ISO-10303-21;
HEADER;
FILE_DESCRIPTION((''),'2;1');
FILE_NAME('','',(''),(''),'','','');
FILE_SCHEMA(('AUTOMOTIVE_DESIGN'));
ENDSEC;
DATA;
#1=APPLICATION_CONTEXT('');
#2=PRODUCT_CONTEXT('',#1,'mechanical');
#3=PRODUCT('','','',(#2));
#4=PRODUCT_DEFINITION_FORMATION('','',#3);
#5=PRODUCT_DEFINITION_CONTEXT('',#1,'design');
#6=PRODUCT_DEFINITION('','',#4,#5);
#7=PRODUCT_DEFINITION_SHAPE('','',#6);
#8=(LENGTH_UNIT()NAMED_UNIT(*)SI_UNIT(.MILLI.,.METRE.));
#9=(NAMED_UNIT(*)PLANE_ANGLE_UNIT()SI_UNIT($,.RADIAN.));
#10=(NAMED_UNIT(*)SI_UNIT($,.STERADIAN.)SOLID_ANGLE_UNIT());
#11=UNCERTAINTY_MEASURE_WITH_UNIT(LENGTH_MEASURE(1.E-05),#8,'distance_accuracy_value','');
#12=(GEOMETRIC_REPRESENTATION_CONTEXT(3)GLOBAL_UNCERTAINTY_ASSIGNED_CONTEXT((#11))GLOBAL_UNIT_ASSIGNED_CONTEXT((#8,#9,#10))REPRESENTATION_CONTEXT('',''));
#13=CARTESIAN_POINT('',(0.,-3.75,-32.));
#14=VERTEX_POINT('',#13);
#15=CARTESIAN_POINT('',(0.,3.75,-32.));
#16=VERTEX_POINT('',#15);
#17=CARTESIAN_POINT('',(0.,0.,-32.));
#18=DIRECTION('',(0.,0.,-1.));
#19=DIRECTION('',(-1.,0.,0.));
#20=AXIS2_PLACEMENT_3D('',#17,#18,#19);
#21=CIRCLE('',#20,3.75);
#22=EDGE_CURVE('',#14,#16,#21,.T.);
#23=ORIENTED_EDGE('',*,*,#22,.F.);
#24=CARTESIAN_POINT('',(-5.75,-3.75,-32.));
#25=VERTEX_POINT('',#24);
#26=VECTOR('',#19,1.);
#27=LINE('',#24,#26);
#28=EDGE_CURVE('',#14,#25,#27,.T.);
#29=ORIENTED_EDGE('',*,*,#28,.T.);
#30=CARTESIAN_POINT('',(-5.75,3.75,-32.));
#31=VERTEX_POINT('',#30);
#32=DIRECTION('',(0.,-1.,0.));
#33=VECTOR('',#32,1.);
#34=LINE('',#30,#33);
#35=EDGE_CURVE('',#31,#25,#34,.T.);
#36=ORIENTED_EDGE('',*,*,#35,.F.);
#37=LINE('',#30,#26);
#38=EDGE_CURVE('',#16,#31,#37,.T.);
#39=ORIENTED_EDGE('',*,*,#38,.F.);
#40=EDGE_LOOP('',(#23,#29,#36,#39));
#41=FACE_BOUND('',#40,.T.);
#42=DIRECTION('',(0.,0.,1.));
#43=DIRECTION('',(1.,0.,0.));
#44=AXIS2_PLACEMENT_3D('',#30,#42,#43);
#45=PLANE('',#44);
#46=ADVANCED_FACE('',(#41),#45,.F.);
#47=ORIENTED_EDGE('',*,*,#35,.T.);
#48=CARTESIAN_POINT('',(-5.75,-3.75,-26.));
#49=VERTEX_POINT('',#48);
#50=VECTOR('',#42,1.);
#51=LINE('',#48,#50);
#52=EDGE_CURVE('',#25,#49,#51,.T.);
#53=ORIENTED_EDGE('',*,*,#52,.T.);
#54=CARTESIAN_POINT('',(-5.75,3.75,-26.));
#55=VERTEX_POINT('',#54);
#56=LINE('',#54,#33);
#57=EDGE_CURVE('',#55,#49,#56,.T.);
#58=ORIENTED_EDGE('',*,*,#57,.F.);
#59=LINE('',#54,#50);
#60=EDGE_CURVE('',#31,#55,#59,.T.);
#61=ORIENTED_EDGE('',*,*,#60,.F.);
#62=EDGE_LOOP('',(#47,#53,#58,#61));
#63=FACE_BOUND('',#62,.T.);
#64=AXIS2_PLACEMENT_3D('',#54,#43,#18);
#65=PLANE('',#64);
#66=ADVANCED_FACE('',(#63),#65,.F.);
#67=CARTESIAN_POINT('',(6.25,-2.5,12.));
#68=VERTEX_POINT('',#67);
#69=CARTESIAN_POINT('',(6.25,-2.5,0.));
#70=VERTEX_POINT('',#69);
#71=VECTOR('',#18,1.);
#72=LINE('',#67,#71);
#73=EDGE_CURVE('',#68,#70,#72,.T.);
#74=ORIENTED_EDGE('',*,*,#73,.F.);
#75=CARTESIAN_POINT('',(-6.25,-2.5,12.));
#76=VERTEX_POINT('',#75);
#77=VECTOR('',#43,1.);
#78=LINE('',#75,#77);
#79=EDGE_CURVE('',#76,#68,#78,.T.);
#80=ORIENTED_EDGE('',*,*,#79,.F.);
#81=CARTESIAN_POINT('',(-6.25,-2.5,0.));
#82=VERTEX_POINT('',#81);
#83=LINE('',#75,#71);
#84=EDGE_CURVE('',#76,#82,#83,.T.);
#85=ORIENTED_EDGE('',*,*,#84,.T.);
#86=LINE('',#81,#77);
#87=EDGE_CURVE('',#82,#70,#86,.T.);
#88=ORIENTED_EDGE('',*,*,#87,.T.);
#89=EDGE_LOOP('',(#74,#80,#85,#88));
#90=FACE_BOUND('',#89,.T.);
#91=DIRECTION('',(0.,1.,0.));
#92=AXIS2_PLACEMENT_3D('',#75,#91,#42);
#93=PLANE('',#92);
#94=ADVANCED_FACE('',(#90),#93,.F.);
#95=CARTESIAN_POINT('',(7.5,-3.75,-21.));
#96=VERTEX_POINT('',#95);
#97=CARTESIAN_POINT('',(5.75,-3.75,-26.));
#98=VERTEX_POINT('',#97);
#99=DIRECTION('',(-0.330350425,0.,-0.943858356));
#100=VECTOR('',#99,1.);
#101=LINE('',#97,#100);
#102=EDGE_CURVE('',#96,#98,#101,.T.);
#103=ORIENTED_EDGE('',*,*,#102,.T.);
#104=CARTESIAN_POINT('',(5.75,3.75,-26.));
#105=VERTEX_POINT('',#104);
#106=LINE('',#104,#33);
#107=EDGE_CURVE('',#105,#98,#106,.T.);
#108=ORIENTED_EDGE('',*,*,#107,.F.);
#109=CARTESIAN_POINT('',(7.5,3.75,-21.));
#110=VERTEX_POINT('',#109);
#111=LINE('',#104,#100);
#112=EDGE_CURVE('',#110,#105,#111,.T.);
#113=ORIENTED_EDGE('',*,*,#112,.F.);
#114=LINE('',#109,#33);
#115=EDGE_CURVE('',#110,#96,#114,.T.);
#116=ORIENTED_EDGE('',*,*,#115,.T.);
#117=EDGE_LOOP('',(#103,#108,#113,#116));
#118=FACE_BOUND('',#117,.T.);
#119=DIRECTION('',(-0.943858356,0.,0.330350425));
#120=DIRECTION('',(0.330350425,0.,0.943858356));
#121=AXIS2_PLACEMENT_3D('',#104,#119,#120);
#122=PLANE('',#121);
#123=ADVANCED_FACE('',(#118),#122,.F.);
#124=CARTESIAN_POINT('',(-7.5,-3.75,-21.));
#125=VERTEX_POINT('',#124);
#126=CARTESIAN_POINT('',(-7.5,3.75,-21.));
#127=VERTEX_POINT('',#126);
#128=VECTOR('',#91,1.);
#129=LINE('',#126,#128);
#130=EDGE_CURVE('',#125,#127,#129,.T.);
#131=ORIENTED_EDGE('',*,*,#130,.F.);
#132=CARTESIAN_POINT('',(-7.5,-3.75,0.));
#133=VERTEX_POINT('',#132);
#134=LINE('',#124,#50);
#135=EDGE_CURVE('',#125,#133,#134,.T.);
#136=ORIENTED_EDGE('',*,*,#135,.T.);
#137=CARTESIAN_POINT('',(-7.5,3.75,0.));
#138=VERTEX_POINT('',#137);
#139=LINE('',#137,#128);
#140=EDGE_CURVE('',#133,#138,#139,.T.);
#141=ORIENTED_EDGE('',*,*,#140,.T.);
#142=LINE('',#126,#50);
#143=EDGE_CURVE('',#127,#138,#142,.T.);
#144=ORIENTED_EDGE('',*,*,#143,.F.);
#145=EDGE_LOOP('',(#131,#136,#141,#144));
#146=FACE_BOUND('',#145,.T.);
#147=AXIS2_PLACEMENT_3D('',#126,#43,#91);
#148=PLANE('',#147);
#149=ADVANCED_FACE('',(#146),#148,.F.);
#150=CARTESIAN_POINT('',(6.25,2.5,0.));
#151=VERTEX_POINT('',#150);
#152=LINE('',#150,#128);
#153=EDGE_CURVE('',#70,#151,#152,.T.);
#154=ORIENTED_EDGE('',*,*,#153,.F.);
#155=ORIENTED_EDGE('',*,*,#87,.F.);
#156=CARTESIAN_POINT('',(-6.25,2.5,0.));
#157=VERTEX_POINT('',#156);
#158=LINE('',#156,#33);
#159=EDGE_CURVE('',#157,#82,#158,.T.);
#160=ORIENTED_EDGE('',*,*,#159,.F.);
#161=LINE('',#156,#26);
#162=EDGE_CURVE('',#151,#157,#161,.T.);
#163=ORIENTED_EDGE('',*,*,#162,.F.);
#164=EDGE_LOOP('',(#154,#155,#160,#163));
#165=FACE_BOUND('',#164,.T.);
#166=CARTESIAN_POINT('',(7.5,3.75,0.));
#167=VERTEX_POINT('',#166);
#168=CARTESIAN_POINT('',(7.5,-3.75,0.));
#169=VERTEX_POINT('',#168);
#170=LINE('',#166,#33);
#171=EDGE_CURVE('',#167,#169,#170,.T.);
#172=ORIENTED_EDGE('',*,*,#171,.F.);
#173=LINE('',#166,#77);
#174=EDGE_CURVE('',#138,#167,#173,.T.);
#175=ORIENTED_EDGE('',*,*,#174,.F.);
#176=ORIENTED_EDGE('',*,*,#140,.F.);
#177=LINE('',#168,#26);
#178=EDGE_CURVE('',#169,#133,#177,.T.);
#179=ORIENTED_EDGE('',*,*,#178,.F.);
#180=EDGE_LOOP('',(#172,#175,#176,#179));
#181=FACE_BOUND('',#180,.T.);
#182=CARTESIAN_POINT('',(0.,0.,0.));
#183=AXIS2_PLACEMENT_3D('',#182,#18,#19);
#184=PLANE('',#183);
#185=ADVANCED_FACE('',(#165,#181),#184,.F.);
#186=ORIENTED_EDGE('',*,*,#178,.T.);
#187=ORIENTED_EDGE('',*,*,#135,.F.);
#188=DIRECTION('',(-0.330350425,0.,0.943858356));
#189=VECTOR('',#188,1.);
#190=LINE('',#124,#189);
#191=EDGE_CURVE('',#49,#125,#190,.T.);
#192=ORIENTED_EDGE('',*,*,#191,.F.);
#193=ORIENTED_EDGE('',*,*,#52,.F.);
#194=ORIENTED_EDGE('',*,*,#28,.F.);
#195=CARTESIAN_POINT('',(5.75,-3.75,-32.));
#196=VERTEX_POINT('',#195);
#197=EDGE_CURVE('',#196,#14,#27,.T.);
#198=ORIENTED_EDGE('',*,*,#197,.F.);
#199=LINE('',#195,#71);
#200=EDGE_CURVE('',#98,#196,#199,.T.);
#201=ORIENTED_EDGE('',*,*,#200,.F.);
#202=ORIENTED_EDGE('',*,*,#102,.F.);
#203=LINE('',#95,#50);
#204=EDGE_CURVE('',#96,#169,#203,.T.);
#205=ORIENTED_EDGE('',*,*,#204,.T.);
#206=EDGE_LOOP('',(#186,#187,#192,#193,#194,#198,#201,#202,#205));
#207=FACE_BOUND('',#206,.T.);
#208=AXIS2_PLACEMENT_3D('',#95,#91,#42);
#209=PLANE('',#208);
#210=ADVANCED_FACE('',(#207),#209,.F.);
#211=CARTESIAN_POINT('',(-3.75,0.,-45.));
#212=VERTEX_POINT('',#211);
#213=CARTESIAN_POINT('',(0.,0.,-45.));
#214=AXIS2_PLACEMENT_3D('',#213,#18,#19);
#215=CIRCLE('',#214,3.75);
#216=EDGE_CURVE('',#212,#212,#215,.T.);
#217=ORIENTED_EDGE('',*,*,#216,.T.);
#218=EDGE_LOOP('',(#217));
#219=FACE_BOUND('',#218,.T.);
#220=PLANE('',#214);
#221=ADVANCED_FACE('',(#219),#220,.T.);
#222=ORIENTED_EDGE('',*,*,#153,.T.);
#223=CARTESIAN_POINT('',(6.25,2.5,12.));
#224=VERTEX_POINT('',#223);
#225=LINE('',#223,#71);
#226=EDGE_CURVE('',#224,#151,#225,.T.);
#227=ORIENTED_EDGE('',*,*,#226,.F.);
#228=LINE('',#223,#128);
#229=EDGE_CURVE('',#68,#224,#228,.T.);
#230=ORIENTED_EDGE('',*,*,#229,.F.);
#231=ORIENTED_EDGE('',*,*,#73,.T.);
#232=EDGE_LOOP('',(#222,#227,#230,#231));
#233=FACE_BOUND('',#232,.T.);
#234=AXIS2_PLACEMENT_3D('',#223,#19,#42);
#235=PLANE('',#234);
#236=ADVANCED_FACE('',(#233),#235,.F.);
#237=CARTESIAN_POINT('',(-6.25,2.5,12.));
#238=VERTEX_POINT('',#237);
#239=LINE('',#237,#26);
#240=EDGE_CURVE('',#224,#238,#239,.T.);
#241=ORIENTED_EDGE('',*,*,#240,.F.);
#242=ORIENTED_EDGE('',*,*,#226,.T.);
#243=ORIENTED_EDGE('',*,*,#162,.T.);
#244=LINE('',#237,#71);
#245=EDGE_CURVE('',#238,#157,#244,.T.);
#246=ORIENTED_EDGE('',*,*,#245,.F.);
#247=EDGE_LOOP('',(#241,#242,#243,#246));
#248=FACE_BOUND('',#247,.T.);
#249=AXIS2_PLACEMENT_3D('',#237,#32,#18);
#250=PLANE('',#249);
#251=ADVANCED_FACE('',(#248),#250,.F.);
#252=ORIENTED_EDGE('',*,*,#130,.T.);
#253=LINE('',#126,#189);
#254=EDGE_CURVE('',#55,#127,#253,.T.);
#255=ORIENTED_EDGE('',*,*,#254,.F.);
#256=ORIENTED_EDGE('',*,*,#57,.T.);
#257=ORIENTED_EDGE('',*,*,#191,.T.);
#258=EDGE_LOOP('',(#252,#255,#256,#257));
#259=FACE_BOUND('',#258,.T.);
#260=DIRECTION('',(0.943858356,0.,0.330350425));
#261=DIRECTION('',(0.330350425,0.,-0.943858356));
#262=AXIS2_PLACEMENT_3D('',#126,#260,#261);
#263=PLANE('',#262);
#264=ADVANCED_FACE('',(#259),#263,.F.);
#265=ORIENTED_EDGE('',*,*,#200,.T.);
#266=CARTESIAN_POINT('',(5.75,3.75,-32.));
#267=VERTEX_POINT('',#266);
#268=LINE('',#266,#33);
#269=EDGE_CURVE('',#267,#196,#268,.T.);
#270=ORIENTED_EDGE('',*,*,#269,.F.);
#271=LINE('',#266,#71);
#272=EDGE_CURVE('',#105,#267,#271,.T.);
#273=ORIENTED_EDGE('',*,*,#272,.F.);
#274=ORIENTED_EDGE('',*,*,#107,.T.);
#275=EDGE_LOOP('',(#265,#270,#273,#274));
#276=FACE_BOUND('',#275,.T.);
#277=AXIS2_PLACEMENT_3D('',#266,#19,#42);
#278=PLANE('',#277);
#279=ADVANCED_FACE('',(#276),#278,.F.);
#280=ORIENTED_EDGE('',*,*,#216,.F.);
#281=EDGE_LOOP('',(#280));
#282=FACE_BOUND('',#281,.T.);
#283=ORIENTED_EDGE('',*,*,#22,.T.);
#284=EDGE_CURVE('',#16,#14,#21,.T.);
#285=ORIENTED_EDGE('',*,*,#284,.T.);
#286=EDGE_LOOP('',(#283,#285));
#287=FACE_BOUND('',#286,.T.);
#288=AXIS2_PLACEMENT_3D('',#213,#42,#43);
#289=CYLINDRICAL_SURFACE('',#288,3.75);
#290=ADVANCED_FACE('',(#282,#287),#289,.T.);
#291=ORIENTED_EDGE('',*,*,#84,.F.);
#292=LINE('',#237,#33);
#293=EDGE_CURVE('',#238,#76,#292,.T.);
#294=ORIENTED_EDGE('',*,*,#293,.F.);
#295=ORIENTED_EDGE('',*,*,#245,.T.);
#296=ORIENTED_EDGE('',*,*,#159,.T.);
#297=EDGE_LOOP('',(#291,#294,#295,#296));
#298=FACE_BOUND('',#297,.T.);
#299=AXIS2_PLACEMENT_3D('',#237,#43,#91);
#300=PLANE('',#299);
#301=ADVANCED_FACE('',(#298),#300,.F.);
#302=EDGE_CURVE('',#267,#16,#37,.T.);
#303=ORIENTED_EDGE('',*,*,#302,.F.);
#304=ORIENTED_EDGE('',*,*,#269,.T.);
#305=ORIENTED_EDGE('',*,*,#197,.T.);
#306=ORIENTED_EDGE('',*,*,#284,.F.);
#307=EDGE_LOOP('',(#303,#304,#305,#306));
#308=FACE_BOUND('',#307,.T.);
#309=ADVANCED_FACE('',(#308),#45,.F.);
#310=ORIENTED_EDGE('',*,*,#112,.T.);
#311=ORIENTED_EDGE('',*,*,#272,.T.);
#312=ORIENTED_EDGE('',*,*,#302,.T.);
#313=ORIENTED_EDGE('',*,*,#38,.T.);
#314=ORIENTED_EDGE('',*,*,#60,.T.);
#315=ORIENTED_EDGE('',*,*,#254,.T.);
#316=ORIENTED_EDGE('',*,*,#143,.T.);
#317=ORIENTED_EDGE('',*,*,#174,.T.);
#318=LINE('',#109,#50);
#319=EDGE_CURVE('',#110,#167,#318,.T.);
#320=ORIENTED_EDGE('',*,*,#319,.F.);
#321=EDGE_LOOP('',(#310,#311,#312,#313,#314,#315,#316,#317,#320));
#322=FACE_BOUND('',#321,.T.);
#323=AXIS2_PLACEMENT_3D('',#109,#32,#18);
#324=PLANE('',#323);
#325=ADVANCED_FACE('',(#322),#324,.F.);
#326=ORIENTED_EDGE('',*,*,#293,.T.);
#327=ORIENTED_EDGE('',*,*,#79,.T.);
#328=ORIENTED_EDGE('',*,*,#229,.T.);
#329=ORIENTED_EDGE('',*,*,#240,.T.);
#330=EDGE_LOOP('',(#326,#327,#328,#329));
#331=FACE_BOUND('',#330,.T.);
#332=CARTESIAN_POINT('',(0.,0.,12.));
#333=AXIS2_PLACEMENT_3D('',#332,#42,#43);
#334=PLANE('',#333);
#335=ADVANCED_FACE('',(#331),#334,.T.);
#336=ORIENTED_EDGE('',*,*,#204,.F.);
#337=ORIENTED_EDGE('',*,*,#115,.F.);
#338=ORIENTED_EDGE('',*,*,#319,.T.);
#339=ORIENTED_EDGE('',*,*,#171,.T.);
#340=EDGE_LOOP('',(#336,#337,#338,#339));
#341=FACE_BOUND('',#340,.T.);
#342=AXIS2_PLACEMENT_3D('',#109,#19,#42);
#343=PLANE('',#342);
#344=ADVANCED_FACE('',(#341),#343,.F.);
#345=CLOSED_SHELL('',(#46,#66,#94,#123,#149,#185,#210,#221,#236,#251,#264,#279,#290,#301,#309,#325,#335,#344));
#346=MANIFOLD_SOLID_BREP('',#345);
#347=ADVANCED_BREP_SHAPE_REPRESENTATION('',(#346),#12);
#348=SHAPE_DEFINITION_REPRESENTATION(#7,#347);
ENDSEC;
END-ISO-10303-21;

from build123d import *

# Parameters (mm, degrees)
SKIZZE1_W                            = 12.5
SKIZZE1_H                            = 5
AUFSATZ_LINEAR_AUSTRAGEN1_DEPTH      = 12
SKIZZE2_W                            = 15
SKIZZE2_H                            = 7.5
AUFSATZ_LINEAR_AUSTRAGEN2_DEPTH      = 21
AUFSATZ_LINEAR_AUSTRAGEN3_DEPTH      = 3.75
AUFSATZ_LINEAR_AUSTRAGEN3_DEPTH_BACK = 3.75
SKIZZE4_R                            = 3.75
AUFSATZ_LINEAR_AUSTRAGEN4_DEPTH      = 13


with BuildPart() as part:
    # Skizze1 → Aufsatz-Linear austragen1 (new body)
    with BuildSketch(Plane.XY):
        Rectangle(SKIZZE1_W, SKIZZE1_H)
    extrude(amount=AUFSATZ_LINEAR_AUSTRAGEN1_DEPTH)

    # Skizze2 → Aufsatz-Linear austragen2 (add)
    with BuildSketch(Plane(origin=(0, 0, 0), x_dir=(-1, 0, 0), z_dir=(0, 0, -1))):
        Rectangle(SKIZZE2_W, SKIZZE2_H)
    extrude(amount=AUFSATZ_LINEAR_AUSTRAGEN2_DEPTH)

    # Skizze3 → Aufsatz-Linear austragen3 (add, two sides)
    with BuildSketch(Plane(origin=(0, 0, 0), x_dir=(1, 0, 0), z_dir=(0, 1, 0))) as aufsatz_linear_austragen3_sk:
        Polygon((-7.5, 21), (-5.75, 26), (-5.75, 32), (5.75, 32), (5.75, 26), (7.5, 21), align=None)
    extrude(amount=AUFSATZ_LINEAR_AUSTRAGEN3_DEPTH)
    extrude(aufsatz_linear_austragen3_sk.sketch, amount=-AUFSATZ_LINEAR_AUSTRAGEN3_DEPTH_BACK)

    # Skizze4 → Aufsatz-Linear austragen4 (add)
    with BuildSketch(Plane(origin=(0, 0, -32), x_dir=(-1, 0, 0), z_dir=(0, 0, -1))):
        Circle(SKIZZE4_R)
    extrude(amount=AUFSATZ_LINEAR_AUSTRAGEN4_DEPTH)


solid = part.part
